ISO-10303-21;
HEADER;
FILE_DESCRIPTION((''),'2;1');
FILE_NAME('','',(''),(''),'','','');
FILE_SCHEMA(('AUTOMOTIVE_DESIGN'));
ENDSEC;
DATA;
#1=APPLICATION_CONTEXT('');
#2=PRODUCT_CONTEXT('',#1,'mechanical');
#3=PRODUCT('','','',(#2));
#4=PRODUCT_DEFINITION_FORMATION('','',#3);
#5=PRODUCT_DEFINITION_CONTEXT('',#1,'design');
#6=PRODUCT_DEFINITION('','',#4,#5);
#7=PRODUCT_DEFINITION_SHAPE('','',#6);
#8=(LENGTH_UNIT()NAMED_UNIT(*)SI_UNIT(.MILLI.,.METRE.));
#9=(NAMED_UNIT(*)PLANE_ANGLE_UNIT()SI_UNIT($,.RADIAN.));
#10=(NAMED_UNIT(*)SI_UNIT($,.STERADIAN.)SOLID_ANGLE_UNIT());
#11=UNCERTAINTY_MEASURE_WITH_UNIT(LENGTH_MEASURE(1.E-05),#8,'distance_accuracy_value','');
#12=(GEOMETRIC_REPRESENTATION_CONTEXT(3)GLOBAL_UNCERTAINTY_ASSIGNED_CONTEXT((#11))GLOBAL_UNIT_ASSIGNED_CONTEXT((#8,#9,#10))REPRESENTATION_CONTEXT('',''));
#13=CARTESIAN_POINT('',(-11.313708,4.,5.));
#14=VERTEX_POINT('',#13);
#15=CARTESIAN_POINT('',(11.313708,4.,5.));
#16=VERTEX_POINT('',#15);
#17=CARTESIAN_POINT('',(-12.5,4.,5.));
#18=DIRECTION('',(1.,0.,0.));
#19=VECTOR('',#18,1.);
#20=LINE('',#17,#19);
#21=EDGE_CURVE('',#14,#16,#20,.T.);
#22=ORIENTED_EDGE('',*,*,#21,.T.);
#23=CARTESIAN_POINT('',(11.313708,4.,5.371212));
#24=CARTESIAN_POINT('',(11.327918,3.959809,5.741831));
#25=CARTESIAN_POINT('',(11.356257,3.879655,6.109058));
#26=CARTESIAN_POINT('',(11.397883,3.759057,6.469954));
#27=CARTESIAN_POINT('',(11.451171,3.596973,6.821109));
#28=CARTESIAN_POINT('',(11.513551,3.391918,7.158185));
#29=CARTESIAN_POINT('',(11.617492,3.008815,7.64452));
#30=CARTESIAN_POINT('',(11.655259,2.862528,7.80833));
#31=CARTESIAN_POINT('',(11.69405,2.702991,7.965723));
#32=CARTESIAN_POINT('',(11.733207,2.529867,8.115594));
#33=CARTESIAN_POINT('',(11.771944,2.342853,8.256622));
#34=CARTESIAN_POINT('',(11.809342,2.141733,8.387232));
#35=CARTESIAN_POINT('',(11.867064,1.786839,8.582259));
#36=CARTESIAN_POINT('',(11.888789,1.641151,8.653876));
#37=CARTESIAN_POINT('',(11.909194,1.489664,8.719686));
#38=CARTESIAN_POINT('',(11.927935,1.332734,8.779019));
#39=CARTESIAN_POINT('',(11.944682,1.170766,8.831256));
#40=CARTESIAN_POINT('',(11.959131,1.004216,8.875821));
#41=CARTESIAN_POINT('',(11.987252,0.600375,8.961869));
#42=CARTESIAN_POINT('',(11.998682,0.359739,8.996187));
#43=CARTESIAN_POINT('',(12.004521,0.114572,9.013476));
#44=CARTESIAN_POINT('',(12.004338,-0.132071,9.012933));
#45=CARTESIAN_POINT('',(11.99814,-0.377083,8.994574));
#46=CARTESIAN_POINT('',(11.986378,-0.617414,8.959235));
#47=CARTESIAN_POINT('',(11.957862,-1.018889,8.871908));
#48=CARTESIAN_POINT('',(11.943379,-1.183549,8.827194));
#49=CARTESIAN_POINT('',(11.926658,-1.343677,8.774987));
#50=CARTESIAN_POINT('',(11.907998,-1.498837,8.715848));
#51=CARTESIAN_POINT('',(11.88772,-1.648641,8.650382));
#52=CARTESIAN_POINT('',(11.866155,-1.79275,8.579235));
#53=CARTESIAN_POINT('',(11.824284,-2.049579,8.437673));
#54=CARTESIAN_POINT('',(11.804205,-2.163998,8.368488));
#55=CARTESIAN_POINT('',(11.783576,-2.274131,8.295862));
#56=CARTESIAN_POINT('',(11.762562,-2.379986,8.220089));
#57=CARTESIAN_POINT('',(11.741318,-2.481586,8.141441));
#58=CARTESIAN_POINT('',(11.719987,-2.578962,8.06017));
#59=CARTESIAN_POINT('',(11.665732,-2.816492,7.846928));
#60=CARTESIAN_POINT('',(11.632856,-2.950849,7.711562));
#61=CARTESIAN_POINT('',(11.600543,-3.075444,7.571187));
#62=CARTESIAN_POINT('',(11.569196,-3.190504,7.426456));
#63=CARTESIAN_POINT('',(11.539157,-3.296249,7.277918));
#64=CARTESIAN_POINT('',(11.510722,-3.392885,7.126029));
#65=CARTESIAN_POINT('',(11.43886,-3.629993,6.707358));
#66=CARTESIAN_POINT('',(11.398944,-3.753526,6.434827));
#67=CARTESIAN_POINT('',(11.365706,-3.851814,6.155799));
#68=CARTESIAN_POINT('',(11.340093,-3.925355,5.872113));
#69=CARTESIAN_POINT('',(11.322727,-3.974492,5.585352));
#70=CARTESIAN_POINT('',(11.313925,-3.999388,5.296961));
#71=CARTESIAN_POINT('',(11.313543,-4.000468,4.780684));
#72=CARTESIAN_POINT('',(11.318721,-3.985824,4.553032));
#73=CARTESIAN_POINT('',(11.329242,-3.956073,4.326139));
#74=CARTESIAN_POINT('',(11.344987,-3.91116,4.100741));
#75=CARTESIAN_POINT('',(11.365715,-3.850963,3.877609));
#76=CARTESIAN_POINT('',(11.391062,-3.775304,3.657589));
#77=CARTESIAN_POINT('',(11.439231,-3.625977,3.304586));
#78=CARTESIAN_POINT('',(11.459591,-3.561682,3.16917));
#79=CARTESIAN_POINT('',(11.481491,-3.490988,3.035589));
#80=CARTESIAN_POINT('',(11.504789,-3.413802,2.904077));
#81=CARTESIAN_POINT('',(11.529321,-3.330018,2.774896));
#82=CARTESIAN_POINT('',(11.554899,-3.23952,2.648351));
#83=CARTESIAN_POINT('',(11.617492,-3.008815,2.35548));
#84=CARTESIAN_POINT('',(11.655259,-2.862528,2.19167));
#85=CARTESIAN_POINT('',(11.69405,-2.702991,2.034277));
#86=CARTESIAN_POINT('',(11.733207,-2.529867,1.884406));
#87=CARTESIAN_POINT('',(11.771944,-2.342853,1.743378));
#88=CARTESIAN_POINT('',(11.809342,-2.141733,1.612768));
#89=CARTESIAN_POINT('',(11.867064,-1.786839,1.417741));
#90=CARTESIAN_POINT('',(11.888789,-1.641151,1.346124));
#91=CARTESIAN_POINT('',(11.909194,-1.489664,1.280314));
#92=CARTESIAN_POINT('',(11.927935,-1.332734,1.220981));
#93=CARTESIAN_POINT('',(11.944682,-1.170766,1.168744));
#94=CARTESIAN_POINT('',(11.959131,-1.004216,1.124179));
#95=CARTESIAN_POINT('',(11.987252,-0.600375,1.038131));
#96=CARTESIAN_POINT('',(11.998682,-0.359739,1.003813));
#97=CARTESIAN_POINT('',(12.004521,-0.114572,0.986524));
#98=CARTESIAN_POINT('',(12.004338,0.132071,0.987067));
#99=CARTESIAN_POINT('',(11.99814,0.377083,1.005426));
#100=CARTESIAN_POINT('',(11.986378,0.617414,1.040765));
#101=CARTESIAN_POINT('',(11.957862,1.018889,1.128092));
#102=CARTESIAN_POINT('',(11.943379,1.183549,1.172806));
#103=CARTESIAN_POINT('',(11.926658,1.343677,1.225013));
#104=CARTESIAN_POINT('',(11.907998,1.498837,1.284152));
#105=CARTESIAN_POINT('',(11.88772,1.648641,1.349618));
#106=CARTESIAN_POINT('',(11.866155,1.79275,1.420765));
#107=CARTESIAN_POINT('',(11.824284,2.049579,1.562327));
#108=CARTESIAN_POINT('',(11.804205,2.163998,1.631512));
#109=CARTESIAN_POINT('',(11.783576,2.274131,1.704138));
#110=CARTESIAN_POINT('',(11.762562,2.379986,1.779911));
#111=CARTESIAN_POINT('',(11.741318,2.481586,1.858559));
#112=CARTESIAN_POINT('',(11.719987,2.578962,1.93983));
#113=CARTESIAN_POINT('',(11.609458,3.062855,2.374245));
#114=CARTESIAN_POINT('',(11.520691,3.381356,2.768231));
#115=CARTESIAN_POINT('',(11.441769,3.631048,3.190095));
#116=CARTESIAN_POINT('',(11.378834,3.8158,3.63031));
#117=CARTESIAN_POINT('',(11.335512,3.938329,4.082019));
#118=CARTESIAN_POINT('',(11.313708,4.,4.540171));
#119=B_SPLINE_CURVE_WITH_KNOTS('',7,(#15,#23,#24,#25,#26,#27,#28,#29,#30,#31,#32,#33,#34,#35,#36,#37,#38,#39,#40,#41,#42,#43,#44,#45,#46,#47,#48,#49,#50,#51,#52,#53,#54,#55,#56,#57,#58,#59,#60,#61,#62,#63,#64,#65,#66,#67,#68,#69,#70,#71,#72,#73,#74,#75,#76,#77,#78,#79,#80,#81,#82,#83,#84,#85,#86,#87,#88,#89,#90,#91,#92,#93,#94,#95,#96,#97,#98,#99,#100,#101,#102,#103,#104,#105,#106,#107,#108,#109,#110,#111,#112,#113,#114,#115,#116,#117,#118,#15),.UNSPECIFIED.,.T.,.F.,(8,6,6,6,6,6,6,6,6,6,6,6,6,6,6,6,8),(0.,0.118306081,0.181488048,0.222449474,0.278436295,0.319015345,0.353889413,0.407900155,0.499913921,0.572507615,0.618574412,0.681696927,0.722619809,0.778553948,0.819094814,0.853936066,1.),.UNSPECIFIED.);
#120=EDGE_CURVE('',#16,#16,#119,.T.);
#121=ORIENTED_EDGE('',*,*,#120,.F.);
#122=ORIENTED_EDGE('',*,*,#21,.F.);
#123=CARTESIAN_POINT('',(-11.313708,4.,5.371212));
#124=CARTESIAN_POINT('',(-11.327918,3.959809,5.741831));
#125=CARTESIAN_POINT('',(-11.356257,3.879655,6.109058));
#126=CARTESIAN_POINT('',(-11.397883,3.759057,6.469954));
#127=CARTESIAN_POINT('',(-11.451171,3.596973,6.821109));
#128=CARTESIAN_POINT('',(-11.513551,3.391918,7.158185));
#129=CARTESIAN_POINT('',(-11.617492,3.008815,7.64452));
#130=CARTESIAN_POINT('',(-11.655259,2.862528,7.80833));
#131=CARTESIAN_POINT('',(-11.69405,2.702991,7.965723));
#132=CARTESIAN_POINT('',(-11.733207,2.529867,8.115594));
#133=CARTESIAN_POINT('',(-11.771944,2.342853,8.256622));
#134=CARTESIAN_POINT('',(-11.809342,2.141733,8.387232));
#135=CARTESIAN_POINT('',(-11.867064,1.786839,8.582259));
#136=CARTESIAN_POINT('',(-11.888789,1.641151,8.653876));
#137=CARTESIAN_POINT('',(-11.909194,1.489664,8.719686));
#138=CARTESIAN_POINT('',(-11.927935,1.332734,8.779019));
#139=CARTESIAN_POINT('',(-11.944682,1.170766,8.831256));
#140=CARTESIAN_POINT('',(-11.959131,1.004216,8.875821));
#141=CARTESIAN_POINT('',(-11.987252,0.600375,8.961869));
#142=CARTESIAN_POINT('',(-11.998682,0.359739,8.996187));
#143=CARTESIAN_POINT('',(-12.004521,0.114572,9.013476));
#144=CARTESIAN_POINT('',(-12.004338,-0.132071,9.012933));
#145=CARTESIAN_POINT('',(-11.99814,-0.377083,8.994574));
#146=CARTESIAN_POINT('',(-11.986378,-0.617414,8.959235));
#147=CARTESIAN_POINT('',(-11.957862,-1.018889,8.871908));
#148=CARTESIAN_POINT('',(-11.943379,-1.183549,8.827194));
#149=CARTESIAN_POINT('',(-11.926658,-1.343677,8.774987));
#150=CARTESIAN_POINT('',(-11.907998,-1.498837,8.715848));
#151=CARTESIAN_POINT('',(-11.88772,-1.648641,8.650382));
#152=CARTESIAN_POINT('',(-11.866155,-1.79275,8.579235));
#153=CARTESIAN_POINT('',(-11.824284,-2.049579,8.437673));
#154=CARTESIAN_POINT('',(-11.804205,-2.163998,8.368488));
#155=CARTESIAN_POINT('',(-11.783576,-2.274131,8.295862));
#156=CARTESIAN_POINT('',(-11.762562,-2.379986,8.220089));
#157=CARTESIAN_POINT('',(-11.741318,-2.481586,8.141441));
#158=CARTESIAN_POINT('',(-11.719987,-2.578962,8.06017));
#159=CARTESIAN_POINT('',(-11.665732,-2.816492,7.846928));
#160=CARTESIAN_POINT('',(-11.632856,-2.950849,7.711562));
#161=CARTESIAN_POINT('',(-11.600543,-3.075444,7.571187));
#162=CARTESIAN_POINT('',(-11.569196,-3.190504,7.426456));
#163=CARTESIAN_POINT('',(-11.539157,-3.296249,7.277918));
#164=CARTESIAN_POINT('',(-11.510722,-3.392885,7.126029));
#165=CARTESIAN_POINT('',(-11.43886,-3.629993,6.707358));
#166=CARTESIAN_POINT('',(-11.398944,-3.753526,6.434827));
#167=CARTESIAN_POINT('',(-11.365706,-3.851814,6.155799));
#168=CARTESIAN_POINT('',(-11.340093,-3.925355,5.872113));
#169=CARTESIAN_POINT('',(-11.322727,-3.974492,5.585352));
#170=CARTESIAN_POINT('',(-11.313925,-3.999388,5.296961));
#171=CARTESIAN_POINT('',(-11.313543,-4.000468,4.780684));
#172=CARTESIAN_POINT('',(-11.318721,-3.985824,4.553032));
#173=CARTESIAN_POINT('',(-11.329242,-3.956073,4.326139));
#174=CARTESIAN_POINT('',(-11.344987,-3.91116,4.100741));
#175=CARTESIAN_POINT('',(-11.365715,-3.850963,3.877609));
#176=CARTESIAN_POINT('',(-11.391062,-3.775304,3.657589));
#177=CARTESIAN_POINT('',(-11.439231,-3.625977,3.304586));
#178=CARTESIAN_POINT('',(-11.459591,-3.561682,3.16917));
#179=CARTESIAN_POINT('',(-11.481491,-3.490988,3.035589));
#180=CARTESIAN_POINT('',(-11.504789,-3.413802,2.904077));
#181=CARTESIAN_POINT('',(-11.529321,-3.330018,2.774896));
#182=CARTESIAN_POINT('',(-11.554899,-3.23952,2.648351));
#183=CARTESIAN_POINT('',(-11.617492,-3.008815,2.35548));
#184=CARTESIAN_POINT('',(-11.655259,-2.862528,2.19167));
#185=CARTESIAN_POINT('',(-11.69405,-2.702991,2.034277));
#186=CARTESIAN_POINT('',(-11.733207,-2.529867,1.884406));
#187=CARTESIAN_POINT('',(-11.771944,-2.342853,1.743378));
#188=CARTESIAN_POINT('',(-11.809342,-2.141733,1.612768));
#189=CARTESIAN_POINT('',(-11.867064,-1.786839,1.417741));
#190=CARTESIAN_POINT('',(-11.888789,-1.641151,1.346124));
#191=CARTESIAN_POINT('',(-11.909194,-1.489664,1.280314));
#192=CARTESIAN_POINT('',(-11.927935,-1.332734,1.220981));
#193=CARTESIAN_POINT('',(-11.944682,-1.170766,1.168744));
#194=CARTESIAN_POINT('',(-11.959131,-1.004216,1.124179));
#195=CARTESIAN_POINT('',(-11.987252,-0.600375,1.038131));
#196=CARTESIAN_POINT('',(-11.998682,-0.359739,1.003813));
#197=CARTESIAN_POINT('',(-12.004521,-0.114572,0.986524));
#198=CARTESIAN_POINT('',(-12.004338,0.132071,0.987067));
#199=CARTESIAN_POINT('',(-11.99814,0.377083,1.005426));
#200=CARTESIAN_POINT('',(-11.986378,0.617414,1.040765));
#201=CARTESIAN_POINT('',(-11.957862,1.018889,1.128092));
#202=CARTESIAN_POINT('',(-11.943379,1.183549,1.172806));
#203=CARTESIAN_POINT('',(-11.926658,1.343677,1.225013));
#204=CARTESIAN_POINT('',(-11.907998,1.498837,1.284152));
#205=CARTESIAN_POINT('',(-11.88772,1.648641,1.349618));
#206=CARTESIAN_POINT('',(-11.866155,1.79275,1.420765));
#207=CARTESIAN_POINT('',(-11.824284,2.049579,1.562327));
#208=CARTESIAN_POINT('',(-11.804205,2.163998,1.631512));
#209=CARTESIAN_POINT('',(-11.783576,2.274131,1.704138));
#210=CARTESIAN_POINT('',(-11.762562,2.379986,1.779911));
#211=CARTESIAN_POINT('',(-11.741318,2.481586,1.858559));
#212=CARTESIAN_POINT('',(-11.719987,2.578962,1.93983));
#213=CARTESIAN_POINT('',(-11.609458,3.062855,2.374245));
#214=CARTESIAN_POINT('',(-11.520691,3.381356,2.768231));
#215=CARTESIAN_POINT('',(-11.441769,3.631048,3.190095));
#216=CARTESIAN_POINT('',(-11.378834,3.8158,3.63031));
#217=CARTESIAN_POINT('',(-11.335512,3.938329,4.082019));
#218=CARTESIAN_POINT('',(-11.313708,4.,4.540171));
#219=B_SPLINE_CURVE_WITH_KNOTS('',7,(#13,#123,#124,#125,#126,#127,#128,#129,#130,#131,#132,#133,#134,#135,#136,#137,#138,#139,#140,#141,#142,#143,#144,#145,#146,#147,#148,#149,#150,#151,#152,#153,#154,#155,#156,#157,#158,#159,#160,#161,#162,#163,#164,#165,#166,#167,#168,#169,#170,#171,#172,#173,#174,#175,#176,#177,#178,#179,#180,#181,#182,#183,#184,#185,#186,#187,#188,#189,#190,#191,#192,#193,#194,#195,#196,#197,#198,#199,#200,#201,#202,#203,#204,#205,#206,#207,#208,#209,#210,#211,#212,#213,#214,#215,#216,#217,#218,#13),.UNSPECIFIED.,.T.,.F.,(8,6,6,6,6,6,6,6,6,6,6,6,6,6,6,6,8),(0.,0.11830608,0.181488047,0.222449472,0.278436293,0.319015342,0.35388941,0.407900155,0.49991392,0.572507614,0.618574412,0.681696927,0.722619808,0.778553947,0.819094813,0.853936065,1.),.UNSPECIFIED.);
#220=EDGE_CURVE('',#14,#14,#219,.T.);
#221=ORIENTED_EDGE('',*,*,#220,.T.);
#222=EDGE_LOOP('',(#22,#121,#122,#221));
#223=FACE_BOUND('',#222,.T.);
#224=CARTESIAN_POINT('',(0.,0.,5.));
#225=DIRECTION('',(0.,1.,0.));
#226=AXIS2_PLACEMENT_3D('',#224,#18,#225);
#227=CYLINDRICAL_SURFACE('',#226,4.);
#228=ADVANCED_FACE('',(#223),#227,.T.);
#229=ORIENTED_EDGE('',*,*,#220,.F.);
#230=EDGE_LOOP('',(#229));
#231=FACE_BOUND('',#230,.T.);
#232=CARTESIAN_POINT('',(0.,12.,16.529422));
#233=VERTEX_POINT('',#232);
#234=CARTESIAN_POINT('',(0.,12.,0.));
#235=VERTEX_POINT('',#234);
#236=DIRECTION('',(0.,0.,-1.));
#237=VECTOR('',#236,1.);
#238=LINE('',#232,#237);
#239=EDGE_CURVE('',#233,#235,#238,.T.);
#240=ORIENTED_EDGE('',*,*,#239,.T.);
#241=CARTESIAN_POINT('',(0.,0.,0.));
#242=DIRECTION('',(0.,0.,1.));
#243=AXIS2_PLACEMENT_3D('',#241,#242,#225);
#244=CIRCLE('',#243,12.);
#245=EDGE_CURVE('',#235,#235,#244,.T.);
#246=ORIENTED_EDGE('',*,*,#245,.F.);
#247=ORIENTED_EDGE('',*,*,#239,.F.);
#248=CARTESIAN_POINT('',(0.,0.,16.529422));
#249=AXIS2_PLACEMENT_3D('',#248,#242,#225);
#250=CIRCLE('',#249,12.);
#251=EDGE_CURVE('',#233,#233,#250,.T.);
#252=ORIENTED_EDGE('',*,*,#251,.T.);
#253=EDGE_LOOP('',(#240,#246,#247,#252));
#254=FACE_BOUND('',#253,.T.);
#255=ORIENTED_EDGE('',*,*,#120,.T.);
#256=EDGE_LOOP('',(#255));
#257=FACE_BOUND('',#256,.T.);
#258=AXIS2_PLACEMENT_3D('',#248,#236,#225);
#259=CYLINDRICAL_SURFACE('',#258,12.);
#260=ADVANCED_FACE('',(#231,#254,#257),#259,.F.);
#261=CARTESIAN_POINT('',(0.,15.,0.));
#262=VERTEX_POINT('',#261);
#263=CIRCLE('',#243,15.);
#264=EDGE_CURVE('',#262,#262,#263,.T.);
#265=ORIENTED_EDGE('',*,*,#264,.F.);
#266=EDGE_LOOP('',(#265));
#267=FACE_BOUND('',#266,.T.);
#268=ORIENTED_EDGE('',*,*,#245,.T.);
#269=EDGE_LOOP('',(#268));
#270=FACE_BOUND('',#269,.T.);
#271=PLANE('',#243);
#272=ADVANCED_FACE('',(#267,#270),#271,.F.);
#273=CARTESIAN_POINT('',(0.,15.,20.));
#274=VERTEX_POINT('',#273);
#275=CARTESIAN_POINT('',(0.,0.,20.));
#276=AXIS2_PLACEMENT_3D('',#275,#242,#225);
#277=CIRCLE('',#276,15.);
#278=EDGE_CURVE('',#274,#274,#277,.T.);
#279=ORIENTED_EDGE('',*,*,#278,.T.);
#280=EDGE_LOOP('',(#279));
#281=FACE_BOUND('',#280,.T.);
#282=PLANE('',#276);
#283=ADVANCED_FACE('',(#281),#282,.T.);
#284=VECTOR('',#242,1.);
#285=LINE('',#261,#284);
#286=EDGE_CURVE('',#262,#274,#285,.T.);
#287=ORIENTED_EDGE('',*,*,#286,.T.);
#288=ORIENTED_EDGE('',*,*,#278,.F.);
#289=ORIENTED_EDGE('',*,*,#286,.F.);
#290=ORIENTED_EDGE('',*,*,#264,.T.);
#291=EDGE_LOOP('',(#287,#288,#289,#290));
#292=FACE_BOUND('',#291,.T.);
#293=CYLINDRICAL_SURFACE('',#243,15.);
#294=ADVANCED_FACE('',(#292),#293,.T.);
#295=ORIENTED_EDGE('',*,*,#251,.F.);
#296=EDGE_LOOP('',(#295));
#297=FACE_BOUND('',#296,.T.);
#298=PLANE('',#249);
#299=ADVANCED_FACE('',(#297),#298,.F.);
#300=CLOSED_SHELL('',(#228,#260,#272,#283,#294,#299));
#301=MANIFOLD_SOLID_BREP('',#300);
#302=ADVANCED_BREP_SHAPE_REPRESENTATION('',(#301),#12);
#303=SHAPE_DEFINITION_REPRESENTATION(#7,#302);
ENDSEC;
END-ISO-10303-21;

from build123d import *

# Parameters (mm, degrees)
F0_R     = 4
F2_DEPTH = 12.5


with BuildPart() as f1:
    # F0 (on Right) → F1 (revolve)
    with BuildSketch(Plane.YZ):
        Polygon((15, 20), (0, 20), (0, 16.5294222534), (12, 16.5294222534), (12, 0), (15, 0), align=None)
    revolve(axis=Axis((0, 0, 10), (0, 0, 1)))

    # F0 (on Right) → F2 (join, symmetric)
    with BuildSketch(Plane.YZ):
        with Locations((0, 5)):
            Circle(F0_R)
    extrude(amount=F2_DEPTH, both=True)


solid = f1.part
